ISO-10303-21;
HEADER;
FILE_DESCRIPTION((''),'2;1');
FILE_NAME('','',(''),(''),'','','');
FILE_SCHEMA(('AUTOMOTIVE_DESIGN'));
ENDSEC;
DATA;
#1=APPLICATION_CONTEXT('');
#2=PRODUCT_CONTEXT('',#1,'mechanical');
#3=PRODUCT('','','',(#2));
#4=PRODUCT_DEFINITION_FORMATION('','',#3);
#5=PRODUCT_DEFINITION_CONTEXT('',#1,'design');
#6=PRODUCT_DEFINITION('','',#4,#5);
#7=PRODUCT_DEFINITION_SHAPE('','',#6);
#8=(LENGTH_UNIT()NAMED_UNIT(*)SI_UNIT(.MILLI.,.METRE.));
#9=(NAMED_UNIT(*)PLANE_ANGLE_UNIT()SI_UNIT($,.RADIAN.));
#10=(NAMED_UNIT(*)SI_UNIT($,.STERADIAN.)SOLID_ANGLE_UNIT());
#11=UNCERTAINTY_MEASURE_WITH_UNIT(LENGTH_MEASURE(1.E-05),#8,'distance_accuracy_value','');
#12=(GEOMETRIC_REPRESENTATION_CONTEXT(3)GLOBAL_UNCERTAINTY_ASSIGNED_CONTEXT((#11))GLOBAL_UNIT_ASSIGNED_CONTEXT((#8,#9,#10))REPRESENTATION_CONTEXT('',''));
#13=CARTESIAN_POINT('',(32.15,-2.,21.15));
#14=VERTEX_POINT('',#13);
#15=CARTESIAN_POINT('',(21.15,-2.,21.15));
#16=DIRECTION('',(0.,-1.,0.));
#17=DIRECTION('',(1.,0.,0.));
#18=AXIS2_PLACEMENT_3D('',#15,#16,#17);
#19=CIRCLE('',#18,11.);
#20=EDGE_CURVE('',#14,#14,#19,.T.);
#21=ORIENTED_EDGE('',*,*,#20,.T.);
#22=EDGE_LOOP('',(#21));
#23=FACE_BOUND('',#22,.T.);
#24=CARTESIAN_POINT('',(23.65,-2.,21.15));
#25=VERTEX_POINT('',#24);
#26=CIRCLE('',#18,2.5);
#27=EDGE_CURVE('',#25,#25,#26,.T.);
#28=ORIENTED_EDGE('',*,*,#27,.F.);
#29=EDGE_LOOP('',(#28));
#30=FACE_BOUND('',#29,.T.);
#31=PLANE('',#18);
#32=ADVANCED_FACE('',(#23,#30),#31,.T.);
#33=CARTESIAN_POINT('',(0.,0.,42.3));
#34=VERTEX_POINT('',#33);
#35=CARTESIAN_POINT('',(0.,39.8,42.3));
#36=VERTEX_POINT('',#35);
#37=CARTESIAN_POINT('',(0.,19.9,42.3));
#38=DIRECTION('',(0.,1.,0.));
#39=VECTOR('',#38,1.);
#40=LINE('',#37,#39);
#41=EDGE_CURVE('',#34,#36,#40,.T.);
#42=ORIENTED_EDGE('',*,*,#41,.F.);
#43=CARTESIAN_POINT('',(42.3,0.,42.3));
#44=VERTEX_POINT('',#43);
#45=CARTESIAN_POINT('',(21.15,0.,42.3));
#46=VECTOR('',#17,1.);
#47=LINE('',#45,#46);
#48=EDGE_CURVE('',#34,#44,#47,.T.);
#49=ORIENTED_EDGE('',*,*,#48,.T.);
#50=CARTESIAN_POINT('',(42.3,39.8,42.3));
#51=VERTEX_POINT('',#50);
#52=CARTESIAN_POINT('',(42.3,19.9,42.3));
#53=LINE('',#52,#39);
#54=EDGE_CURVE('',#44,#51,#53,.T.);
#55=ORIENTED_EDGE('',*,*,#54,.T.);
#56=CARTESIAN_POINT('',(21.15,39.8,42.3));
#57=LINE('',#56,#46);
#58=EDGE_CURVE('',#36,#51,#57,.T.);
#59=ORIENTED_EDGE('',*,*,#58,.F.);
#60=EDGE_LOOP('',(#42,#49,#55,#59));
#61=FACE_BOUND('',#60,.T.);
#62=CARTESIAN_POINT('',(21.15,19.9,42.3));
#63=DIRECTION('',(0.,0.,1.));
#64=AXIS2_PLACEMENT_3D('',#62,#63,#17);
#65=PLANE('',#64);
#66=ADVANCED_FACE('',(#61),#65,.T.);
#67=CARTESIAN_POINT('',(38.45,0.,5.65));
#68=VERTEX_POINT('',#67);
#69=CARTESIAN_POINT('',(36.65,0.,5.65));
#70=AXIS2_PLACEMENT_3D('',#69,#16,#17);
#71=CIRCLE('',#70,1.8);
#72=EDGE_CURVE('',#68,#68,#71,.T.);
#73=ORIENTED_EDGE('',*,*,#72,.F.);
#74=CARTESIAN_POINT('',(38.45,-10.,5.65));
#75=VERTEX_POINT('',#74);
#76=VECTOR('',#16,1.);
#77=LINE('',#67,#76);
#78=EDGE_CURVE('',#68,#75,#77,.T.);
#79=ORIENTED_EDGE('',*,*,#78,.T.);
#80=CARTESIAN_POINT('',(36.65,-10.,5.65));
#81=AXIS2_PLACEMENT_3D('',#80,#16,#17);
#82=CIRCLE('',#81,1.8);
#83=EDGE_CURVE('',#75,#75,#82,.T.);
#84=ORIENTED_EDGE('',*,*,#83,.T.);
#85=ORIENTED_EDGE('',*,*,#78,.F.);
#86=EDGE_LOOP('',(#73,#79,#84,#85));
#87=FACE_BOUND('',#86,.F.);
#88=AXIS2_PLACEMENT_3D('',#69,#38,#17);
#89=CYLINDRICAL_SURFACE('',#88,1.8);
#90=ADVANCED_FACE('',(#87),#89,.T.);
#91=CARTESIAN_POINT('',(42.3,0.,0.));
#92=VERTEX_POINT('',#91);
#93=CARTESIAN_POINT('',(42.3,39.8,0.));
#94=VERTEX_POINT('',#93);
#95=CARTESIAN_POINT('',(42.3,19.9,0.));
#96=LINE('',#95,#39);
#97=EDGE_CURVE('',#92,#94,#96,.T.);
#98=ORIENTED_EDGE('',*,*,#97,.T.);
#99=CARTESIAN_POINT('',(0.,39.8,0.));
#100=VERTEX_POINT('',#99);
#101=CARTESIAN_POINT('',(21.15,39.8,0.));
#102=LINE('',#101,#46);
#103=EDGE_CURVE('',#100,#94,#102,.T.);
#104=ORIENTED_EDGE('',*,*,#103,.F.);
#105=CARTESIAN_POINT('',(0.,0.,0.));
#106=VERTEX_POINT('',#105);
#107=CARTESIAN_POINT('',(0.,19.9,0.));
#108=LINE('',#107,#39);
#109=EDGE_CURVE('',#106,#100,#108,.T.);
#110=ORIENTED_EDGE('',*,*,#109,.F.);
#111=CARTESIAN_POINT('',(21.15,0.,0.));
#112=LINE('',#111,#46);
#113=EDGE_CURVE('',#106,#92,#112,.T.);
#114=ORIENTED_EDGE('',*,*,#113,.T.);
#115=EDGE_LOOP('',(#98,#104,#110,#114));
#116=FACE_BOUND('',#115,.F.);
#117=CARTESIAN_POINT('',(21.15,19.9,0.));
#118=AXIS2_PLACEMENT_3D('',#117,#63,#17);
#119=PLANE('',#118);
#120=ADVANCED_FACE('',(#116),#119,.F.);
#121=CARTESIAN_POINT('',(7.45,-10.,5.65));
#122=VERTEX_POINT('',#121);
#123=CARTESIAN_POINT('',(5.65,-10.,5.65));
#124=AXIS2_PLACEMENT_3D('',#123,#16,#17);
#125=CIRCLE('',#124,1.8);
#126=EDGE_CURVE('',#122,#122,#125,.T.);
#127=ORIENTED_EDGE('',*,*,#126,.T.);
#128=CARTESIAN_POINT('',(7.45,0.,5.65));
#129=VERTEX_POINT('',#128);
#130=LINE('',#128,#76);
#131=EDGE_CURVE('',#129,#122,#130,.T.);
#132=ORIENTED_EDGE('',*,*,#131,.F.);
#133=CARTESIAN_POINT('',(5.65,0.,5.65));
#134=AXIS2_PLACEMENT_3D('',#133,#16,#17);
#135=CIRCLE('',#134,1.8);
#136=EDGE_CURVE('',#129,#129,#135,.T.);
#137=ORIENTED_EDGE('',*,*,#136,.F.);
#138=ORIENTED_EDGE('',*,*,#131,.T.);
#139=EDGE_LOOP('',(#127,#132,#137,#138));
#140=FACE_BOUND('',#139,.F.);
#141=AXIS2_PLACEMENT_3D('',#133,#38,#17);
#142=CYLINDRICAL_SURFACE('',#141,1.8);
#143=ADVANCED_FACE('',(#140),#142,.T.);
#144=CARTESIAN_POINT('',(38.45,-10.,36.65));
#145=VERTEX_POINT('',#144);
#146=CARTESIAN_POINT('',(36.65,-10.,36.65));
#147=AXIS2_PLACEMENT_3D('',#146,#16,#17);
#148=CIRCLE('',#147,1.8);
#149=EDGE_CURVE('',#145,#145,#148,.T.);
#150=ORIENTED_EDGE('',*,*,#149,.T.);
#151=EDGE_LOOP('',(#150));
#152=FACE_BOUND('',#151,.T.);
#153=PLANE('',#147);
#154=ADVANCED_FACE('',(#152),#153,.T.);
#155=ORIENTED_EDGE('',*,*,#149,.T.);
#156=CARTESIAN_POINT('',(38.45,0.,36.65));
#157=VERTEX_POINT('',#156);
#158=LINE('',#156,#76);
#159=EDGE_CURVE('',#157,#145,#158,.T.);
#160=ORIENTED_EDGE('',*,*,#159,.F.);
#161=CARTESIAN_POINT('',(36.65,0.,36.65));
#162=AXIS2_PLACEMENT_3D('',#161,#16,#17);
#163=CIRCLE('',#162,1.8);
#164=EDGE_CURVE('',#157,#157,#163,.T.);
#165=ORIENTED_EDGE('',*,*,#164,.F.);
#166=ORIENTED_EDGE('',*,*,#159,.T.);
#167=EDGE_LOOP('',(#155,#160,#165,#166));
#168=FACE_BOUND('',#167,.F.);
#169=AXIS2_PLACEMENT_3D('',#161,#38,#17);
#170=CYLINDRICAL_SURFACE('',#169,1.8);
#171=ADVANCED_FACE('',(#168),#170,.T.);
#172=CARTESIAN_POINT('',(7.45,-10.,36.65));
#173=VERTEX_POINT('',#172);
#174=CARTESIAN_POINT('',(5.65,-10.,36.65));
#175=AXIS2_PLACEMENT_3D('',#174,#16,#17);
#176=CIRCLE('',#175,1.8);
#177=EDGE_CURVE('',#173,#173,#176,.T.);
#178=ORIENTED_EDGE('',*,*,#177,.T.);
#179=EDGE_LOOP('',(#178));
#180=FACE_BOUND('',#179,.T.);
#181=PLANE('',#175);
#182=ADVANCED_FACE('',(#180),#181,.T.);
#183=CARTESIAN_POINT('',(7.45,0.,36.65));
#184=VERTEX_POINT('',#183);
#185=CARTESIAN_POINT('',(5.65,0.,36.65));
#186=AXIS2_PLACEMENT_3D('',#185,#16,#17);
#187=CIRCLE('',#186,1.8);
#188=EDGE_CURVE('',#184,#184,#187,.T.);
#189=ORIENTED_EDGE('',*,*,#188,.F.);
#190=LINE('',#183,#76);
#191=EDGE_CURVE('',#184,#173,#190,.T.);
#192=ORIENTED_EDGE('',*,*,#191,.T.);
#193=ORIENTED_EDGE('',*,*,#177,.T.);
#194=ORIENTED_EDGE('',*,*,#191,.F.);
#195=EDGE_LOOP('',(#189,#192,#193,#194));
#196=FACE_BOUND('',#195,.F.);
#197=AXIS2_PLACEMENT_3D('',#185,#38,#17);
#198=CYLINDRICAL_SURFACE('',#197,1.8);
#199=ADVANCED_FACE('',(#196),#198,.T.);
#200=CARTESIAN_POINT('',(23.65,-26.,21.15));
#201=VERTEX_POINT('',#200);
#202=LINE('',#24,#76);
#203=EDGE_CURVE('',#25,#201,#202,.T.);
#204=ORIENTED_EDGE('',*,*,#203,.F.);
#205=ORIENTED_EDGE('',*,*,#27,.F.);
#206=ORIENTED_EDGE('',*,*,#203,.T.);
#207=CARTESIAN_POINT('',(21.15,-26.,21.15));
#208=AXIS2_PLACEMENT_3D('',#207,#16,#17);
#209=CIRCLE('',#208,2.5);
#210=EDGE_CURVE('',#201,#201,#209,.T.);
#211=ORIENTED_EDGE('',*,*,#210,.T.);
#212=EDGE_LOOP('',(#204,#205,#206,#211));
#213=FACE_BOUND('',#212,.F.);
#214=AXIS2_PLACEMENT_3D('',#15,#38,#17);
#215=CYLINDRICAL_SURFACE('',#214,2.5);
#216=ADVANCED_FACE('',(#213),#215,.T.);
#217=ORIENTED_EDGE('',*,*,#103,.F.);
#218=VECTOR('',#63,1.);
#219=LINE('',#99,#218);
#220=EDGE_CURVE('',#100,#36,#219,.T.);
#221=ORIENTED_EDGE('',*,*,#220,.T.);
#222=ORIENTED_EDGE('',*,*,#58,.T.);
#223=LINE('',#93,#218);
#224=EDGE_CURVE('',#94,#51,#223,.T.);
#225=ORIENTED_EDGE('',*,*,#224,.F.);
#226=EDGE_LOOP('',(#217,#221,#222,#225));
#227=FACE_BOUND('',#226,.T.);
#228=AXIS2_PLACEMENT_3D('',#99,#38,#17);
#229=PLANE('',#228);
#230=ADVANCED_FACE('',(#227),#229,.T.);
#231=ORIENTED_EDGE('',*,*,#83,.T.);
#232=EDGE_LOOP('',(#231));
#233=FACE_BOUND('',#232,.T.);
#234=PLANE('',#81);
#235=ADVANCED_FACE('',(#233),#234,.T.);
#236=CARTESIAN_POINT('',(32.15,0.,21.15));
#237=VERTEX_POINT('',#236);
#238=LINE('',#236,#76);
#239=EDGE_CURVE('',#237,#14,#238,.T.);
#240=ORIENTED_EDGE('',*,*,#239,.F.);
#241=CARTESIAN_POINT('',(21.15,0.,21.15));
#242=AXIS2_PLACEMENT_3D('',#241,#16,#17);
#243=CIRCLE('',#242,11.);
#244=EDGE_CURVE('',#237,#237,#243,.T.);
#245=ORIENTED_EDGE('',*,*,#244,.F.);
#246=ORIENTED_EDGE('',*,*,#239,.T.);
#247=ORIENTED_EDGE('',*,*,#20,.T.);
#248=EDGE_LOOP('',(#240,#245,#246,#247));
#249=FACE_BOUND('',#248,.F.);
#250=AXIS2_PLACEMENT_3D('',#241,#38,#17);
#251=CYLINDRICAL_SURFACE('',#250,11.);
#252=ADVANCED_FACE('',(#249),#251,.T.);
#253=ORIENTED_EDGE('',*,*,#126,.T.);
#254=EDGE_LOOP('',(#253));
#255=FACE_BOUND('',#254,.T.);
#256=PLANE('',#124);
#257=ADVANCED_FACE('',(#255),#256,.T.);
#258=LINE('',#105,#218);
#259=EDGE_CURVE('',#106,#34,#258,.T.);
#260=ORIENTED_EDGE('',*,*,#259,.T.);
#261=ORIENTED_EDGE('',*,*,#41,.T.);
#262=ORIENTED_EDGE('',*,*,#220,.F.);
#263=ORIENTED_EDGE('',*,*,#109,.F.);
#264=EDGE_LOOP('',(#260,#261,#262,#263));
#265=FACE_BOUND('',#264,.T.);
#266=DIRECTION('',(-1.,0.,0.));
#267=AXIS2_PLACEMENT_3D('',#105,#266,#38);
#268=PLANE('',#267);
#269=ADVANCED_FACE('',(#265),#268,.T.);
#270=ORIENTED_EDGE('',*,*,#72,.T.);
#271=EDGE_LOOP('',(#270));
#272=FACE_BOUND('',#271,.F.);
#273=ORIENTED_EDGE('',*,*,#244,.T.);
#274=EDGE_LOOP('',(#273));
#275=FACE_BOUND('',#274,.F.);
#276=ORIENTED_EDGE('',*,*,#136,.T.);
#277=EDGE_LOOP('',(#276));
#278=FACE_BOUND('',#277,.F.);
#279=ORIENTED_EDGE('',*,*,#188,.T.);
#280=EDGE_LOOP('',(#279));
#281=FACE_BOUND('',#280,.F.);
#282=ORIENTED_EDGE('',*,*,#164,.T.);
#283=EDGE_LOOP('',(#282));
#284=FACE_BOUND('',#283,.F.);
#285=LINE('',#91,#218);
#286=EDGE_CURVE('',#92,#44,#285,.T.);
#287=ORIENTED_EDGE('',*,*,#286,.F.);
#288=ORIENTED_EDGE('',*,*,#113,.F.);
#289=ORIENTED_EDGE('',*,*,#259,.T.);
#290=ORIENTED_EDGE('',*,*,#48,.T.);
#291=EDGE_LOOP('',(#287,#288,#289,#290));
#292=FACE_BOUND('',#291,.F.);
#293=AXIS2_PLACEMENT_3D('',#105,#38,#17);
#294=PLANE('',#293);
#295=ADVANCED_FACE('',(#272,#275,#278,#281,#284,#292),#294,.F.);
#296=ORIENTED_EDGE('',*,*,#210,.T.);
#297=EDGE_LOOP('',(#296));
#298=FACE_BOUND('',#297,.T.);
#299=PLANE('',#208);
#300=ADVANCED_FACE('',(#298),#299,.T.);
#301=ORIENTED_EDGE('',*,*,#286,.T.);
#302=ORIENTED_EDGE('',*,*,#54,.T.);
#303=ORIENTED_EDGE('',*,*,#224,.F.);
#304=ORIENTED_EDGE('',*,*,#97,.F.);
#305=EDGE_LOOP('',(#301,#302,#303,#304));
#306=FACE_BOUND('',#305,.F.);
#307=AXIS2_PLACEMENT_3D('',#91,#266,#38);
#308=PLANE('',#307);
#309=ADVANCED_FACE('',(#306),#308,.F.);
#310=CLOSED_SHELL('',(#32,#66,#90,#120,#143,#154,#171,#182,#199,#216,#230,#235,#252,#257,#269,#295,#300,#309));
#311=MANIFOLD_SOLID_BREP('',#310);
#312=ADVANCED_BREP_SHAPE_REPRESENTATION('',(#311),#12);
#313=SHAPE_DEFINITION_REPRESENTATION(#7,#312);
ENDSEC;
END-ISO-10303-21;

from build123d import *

# Parameters (mm, degrees)
CYLINDER004_R     = 1.8
CYLINDER004_DEPTH = 10
CYLINDER005_R     = 1.8
CYLINDER005_DEPTH = 10
CYLINDER002_R     = 1.8
CYLINDER002_DEPTH = 10
CYLINDER003_R     = 1.8
CYLINDER003_DEPTH = 10
CYLINDER001_R     = 2.5
CYLINDER001_DEPTH = 24
CYLINDER_R        = 11
CYLINDER_DEPTH    = 2
BOX_W             = 42.3
BOX_H             = 39.8
BOX_DEPTH         = 42.3


with BuildPart() as cylinder004:
    # Cylinder004 → Cylinder004 (new body)
    with BuildSketch(Plane(origin=(5.65, 0, 36.65), x_dir=(1, 0, 0), z_dir=(0, -1, 0))):
        Circle(CYLINDER004_R)
    extrude(amount=CYLINDER004_DEPTH)


with BuildPart() as cylinder005:
    # Cylinder005 → Cylinder005 (new body)
    with BuildSketch(Plane(origin=(36.65, 0, 36.65), x_dir=(1, 0, 0), z_dir=(0, -1, 0))):
        Circle(CYLINDER005_R)
    extrude(amount=CYLINDER005_DEPTH)


with BuildPart() as cylinder002:
    # Cylinder002 → Cylinder002 (new body)
    with BuildSketch(Plane(origin=(5.65, 0, 5.65), x_dir=(1, 0, 0), z_dir=(0, -1, 0))):
        Circle(CYLINDER002_R)
    extrude(amount=CYLINDER002_DEPTH)


with BuildPart() as cylinder003:
    # Cylinder003 → Cylinder003 (new body)
    with BuildSketch(Plane(origin=(36.65, 0, 5.65), x_dir=(1, 0, 0), z_dir=(0, -1, 0))):
        Circle(CYLINDER003_R)
    extrude(amount=CYLINDER003_DEPTH)


with BuildPart() as cylinder001:
    # Cylinder001 → Cylinder001 (new body)
    with BuildSketch(Plane(origin=(21.15, -2, 21.15), x_dir=(1, 0, 0), z_dir=(0, -1, 0))):
        Circle(CYLINDER001_R)
    extrude(amount=CYLINDER001_DEPTH)


with BuildPart() as cylinder:
    # Cylinder → Cylinder (new body)
    with BuildSketch(Plane(origin=(21.15, 0, 21.15), x_dir=(1, 0, 0), z_dir=(0, -1, 0))):
        Circle(CYLINDER_R)
    extrude(amount=CYLINDER_DEPTH)


with BuildPart() as fusion002:
    # Box → Box (new body)
    with BuildSketch(Plane.XY):
        with Locations((21.15, 19.9)):
            Rectangle(BOX_W, BOX_H)
    extrude(amount=BOX_DEPTH)

    # Fusion: union Cylinder
    add(cylinder.part)

    # Fusion001: union Cylinder001
    add(cylinder001.part)

    # Fusion002: union Cylinder004, Cylinder005, Cylinder002, Cylinder003
    add(cylinder004.part)
    add(cylinder005.part)
    add(cylinder002.part)
    add(cylinder003.part)


solid = fusion002.part
